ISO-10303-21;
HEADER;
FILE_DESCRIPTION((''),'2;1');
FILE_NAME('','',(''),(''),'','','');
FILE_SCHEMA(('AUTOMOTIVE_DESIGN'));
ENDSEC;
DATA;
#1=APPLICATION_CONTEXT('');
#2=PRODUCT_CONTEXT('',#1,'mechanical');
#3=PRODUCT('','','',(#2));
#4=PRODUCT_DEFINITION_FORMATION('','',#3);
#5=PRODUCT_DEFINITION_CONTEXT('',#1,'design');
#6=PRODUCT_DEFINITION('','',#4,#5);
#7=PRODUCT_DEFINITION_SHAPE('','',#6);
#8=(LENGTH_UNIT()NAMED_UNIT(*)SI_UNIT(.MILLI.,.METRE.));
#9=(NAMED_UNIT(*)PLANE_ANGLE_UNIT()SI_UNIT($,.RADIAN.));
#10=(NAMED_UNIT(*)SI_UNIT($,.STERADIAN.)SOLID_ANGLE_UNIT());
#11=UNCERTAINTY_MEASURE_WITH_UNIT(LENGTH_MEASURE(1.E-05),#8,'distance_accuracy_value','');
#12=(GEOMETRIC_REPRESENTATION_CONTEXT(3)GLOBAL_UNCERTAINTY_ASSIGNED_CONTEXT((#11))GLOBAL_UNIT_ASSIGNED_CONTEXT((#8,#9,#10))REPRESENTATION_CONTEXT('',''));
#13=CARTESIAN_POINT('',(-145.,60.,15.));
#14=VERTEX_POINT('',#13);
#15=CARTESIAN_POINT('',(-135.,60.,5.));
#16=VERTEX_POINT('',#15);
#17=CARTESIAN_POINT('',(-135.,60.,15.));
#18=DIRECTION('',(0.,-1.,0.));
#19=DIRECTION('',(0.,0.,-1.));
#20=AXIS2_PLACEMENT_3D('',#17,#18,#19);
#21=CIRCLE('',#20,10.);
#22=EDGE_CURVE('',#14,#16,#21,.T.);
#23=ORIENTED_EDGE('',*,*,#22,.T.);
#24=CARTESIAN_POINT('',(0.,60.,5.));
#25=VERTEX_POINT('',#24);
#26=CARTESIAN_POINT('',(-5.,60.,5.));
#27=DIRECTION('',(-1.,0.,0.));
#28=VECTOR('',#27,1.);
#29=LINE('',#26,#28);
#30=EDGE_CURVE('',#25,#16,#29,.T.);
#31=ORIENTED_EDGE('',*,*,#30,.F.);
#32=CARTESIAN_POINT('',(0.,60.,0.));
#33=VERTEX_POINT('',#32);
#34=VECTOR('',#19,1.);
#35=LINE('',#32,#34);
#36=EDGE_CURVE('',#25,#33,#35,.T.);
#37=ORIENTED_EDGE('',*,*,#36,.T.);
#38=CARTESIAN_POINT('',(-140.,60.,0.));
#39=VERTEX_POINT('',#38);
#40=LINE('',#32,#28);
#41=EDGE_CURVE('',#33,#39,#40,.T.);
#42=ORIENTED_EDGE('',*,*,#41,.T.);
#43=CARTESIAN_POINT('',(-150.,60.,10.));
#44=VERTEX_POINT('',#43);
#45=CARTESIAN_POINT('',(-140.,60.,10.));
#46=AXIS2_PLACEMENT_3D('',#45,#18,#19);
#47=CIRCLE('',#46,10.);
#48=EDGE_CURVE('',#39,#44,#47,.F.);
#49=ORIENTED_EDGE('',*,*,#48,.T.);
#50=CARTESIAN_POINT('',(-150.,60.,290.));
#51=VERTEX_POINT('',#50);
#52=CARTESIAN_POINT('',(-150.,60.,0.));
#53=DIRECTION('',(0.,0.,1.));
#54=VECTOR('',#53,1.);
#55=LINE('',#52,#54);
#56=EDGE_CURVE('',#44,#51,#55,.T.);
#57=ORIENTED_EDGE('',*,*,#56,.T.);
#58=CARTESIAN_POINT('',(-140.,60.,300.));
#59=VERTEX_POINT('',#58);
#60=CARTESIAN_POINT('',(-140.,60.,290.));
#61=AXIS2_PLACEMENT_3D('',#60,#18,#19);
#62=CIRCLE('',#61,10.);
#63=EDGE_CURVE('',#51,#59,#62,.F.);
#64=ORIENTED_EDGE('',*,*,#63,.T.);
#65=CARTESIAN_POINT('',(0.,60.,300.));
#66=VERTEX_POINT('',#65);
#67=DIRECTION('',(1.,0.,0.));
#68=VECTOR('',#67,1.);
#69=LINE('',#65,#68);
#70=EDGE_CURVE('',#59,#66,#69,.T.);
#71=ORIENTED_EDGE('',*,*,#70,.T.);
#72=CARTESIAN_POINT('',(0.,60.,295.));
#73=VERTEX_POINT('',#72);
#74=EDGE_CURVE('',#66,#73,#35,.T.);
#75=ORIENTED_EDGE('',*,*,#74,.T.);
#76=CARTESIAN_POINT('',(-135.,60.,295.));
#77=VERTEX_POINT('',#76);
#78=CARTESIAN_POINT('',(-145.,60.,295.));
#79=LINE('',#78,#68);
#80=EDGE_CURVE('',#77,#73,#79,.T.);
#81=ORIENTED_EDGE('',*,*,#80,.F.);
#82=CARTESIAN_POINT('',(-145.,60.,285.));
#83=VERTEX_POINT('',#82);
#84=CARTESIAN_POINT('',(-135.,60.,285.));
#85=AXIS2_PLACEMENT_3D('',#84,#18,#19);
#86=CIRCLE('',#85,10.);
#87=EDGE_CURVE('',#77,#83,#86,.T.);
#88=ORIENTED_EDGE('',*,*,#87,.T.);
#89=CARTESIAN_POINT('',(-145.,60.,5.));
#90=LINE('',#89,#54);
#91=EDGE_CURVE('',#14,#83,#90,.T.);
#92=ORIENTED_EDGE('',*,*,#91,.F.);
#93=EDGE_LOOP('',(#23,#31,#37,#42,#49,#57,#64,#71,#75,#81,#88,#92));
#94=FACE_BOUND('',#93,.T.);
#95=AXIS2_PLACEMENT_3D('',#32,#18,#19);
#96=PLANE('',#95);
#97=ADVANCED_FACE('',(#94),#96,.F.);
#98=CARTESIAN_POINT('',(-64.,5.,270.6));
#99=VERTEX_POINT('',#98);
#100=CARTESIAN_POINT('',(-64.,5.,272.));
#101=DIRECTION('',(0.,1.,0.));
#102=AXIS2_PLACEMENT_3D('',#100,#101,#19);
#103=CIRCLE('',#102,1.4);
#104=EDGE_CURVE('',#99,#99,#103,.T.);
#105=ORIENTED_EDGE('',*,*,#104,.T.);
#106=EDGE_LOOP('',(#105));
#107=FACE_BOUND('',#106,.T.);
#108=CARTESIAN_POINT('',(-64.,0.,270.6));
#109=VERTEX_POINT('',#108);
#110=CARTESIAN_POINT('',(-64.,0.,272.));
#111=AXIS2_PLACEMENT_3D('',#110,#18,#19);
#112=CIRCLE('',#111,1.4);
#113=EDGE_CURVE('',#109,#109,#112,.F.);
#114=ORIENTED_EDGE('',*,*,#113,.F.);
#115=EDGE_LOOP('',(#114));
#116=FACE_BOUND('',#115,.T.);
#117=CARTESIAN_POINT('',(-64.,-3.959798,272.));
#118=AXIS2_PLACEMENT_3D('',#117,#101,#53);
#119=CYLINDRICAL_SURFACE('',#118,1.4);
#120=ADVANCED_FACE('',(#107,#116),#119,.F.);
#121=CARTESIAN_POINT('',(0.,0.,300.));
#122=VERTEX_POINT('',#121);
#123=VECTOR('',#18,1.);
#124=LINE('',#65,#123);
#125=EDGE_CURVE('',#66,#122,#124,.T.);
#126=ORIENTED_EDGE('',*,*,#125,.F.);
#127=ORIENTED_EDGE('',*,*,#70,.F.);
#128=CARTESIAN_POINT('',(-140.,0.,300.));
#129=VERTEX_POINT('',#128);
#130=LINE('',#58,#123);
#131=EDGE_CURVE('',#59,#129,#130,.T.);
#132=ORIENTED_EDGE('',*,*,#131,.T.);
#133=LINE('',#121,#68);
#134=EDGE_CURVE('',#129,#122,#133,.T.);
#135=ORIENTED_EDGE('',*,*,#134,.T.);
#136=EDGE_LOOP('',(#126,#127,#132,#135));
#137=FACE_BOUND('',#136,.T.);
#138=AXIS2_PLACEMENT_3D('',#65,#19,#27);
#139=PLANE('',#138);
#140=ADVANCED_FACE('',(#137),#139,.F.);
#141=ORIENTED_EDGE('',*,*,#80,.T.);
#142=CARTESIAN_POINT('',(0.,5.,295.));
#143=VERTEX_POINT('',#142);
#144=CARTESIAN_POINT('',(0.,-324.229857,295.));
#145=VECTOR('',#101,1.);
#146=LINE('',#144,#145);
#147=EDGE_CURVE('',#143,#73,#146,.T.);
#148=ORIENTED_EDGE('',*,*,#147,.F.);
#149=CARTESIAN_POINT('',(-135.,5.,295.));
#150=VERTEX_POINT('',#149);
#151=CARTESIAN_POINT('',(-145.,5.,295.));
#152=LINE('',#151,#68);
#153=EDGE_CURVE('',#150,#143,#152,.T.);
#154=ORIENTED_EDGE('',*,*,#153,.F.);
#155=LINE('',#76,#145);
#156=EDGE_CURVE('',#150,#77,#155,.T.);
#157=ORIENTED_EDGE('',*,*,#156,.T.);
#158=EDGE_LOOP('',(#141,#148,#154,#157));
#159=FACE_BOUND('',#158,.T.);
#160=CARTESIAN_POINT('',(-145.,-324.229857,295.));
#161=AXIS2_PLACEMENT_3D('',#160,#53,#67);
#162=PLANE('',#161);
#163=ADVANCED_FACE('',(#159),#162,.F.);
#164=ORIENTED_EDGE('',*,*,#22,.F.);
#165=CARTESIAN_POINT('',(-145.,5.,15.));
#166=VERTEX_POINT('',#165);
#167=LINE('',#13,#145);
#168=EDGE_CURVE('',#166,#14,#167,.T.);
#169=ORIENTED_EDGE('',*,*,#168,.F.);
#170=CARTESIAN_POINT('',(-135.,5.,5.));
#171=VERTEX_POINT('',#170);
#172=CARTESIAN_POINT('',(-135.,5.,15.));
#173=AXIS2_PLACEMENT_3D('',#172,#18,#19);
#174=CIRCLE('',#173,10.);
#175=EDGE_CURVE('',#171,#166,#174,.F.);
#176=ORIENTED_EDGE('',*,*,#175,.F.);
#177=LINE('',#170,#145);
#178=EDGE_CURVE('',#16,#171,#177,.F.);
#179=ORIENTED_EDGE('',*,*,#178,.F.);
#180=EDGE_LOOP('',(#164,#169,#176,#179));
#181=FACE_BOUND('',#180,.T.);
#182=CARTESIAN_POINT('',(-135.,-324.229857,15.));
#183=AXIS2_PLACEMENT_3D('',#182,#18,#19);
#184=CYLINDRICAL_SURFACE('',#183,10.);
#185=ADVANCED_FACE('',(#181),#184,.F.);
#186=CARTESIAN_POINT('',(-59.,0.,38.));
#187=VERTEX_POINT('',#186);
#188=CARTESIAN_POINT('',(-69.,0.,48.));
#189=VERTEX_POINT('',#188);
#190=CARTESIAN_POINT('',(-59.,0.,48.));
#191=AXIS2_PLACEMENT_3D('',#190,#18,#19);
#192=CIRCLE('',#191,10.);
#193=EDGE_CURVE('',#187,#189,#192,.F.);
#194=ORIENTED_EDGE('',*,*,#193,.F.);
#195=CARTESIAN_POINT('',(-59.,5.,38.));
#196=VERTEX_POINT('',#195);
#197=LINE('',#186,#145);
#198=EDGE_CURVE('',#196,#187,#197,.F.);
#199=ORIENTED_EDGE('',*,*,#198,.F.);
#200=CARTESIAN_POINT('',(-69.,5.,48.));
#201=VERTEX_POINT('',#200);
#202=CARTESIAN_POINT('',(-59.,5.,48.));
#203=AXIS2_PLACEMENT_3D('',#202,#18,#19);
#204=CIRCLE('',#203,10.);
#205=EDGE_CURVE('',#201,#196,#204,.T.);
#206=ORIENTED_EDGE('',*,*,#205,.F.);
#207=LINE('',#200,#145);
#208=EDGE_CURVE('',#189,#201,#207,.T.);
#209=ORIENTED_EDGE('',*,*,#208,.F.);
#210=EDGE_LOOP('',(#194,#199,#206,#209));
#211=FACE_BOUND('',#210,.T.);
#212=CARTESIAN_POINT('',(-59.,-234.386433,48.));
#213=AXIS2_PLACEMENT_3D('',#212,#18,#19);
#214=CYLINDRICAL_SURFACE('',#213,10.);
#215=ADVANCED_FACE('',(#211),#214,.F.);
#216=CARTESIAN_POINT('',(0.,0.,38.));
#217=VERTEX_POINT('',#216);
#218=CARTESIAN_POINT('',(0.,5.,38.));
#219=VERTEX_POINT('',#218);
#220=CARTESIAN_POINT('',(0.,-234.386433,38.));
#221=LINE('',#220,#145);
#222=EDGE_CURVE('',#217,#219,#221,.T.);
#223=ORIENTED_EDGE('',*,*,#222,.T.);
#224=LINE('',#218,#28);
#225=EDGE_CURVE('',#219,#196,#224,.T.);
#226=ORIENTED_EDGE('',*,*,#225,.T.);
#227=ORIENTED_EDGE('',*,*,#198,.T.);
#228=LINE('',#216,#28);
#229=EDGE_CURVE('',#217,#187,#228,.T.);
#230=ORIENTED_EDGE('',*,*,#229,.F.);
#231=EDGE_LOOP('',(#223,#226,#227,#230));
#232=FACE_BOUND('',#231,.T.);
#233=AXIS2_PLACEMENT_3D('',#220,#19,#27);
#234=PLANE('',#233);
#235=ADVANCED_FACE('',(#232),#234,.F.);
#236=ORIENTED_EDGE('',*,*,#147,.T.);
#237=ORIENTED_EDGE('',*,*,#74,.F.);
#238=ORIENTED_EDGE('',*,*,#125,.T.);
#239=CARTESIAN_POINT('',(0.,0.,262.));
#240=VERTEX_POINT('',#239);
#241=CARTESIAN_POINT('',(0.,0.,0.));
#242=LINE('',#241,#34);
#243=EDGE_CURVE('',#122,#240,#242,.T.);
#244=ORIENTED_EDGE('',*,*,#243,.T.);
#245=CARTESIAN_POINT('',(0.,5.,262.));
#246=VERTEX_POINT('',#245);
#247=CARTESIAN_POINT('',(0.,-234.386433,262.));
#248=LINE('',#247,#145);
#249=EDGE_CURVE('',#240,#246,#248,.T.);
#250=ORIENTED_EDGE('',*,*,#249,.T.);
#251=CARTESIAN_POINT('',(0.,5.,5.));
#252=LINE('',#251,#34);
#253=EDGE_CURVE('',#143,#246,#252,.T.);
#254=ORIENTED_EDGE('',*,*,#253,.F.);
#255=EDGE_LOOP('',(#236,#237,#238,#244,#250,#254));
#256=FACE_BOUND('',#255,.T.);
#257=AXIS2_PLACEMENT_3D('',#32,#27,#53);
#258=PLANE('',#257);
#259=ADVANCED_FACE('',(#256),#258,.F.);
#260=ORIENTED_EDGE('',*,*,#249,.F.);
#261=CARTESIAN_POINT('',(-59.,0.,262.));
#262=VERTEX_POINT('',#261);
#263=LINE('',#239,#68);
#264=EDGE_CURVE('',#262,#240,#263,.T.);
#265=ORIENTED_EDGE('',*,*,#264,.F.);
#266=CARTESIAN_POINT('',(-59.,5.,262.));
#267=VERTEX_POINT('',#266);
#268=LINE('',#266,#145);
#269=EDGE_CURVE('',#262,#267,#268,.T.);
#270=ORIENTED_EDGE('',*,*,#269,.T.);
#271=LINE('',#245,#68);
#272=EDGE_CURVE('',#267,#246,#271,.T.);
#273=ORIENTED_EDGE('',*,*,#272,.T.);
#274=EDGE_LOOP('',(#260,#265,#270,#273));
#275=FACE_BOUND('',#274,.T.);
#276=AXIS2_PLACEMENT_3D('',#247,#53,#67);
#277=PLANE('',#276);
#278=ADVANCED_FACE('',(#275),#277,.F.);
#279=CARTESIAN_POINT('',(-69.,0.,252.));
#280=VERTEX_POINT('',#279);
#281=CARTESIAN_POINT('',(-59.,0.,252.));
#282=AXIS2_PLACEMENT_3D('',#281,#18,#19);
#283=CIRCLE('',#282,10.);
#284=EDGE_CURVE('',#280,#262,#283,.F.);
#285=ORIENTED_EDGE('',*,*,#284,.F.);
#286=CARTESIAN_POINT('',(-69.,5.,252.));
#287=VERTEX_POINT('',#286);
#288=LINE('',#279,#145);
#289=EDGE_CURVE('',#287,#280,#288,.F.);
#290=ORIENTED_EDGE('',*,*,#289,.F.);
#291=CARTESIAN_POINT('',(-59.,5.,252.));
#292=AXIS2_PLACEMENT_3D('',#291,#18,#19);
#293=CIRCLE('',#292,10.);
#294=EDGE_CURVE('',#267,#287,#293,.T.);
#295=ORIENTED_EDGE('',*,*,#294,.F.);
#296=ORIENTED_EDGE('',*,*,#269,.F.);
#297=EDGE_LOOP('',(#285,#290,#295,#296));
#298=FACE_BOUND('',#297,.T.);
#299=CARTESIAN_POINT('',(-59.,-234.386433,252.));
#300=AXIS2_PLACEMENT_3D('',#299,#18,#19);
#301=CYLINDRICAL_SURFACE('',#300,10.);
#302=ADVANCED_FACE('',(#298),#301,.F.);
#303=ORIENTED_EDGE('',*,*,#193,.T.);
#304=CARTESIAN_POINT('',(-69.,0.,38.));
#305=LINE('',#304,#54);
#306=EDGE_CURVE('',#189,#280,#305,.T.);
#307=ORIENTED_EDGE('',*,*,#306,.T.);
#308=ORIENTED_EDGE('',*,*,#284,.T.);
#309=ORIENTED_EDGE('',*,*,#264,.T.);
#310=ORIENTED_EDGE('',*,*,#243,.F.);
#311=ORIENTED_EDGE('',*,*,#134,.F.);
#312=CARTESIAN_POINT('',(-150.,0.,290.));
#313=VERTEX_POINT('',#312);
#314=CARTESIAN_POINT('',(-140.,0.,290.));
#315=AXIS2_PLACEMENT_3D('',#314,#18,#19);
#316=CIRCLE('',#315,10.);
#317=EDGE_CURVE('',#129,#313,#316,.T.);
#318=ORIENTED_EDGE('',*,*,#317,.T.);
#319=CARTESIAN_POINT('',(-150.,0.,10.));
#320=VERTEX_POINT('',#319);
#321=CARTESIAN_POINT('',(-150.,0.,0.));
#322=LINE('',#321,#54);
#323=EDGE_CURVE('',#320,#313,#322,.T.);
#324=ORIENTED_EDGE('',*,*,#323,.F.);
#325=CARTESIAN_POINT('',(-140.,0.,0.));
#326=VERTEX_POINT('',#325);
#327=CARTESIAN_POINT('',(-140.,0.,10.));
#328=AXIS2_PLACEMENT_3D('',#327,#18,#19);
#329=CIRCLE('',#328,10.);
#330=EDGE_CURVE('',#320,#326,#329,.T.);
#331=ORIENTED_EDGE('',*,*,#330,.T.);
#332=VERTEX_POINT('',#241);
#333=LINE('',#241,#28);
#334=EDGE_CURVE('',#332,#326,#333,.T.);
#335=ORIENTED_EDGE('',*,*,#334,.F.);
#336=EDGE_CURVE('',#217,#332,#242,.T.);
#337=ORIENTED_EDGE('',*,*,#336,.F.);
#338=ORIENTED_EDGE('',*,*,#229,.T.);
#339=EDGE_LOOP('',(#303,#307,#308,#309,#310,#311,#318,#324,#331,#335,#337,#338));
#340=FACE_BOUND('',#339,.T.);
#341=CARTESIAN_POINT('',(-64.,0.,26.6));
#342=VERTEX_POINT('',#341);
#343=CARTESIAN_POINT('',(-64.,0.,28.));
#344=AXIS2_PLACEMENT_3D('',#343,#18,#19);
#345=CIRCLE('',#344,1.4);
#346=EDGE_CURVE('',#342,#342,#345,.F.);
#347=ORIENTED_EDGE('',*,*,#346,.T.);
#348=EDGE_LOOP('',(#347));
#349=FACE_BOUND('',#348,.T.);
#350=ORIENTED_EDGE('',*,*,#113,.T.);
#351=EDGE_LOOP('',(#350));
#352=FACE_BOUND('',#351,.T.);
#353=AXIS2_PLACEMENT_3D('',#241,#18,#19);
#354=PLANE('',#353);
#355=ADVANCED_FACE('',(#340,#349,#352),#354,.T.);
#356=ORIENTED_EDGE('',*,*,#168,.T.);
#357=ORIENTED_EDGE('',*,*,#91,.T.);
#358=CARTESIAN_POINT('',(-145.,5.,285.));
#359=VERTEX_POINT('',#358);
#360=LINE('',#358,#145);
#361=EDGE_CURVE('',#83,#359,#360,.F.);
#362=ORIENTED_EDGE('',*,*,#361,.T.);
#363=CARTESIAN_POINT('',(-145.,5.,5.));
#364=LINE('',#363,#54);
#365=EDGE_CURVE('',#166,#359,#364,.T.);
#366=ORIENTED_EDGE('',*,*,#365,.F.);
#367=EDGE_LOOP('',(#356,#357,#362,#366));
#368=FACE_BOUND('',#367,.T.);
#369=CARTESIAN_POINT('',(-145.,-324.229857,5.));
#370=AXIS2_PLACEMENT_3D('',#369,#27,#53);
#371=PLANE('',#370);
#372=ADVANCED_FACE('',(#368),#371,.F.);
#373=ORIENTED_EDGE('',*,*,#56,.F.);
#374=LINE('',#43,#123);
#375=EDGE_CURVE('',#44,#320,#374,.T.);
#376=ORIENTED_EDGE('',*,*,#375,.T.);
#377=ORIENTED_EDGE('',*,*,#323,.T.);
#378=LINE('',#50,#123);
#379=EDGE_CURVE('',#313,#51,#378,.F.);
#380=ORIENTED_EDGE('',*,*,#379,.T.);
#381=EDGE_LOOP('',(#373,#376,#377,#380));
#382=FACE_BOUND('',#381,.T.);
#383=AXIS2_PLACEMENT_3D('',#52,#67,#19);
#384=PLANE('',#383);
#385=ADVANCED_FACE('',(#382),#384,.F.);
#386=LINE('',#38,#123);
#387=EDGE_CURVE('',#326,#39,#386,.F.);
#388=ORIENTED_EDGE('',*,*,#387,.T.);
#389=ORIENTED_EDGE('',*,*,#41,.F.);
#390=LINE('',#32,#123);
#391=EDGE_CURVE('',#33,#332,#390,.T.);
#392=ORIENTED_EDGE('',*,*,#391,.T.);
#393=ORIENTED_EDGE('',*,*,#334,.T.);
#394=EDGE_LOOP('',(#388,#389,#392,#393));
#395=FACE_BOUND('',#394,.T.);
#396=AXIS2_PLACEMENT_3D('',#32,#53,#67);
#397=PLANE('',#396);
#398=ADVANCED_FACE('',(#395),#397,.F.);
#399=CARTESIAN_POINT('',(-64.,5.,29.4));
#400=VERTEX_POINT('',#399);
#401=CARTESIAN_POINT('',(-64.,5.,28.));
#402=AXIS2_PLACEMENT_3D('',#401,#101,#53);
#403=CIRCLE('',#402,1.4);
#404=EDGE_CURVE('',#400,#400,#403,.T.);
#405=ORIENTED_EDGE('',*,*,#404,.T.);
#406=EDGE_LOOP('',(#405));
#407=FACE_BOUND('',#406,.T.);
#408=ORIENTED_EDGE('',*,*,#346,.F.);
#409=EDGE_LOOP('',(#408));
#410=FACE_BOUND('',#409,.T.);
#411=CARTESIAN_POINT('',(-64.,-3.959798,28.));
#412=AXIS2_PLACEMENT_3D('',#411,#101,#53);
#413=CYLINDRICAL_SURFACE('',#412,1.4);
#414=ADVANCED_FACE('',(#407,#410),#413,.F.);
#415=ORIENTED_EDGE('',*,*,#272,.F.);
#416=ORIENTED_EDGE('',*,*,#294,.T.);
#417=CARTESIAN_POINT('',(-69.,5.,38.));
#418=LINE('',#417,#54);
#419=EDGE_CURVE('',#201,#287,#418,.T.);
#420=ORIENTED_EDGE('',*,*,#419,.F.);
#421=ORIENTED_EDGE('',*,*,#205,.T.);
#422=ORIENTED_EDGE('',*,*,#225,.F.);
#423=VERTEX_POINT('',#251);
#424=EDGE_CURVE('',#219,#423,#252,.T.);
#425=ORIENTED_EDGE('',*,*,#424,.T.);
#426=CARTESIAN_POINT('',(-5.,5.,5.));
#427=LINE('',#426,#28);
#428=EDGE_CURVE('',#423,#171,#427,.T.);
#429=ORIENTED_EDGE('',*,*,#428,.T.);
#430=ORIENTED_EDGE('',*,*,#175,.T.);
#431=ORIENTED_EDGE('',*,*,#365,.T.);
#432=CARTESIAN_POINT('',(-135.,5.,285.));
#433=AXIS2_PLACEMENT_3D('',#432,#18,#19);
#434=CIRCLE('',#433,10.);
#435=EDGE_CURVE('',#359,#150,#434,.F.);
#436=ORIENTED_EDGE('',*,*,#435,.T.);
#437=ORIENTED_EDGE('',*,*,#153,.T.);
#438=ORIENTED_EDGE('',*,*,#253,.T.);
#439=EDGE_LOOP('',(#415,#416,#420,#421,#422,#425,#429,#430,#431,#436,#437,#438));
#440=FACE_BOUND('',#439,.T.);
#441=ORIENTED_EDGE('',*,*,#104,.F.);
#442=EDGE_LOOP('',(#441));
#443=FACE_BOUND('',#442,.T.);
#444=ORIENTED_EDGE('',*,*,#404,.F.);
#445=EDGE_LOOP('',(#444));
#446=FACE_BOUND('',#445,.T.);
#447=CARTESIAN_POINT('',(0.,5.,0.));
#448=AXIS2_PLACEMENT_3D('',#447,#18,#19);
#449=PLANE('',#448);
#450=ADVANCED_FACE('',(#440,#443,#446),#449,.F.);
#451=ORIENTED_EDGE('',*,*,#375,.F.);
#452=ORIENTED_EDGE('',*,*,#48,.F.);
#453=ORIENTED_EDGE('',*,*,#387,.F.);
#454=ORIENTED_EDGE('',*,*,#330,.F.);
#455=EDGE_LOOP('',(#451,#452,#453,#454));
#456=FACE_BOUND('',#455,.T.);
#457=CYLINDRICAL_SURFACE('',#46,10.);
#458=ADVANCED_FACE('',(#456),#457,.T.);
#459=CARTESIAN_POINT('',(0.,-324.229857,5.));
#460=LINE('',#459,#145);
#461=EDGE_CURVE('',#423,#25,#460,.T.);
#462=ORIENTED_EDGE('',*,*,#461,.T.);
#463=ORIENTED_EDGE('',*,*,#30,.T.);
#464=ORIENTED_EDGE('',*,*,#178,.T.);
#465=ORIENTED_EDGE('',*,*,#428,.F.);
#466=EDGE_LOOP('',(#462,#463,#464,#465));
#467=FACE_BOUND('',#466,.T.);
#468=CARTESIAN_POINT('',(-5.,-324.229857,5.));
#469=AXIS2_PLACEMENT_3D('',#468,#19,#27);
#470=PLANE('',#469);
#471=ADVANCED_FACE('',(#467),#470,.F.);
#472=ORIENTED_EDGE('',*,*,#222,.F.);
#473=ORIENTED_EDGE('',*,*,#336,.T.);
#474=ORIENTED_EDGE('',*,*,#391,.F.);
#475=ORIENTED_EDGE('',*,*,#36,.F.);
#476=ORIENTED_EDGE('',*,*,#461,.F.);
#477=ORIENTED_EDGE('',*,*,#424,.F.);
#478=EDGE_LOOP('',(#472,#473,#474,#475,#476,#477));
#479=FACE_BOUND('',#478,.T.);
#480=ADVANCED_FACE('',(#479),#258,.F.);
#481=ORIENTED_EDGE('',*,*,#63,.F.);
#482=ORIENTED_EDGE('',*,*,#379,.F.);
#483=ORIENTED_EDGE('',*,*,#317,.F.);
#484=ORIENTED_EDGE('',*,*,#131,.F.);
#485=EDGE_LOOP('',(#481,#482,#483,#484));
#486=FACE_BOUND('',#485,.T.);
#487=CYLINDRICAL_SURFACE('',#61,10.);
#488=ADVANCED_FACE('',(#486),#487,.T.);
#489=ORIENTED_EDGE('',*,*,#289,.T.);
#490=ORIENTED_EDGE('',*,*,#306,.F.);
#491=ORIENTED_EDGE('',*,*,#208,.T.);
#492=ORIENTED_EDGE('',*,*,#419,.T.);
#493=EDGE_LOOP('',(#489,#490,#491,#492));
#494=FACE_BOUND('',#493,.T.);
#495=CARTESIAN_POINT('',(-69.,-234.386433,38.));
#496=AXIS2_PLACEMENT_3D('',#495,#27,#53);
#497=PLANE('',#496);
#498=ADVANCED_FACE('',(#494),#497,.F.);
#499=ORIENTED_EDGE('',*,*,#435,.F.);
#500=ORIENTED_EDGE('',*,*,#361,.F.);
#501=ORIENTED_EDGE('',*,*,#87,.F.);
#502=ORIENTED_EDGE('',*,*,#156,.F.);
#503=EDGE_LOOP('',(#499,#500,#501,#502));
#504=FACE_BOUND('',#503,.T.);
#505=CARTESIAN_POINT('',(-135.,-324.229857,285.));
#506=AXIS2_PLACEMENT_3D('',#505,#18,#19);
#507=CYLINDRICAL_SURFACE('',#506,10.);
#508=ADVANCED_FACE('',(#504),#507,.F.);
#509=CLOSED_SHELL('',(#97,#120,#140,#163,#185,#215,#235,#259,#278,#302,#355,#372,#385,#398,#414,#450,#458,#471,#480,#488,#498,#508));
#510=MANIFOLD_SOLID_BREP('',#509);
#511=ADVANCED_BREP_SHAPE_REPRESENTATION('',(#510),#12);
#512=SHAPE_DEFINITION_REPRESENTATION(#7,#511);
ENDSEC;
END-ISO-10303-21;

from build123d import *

# Parameters (mm, degrees)
SKETCH_1_W          = 150
SKETCH_1_H          = 300
EXTRUDE_1_DEPTH     = 60
CUT_EXTRUDE_1_DEPTH = 55
SKETCH_3_W          = 69
SKETCH_3_H          = 224
CUT_EXTRUDE_2_DEPTH = 5
SKETCH_4_R          = 1.4
CUT_EXTRUDE_3_DEPTH = 5
FILLET_1_R          = 10


with BuildPart() as part:
    # 草图1 → 凸台-拉伸1 (new body)
    with BuildSketch(Plane(origin=(0, 0, 0), x_dir=(1, 0, 0), z_dir=(0, 1, 0))):
        with Locations((-75, -150)):
            Rectangle(SKETCH_1_W, SKETCH_1_H)
    extrude(amount=EXTRUDE_1_DEPTH)

    # 草图2 → 切除-拉伸1 (cut)
    with BuildSketch(Plane(origin=(0, 60, 0), x_dir=(1, 0, 0), z_dir=(0, 1, 0))):
        Polygon((-5, -5), (-145, -5), (-145, -295), (-5, -295), (0, -295), (0, -5), align=None)
    extrude(amount=-CUT_EXTRUDE_1_DEPTH, mode=Mode.SUBTRACT)

    # 草图3 → 切除-拉伸2 (cut)
    with BuildSketch(Plane(origin=(0, 5, 0), x_dir=(1, 0, 0), z_dir=(0, 1, 0))):
        with Locations((-34.5, -150)):
            Rectangle(SKETCH_3_W, SKETCH_3_H)
    extrude(amount=-CUT_EXTRUDE_2_DEPTH, mode=Mode.SUBTRACT)

    # 草图4 → 切除-拉伸3 (cut)
    with BuildSketch(Plane(origin=(0, 5, 0), x_dir=(1, 0, 0), z_dir=(0, 1, 0))):
        with Locations(Location((-64, -28, 0), (0, 0, 270))):
            Circle(SKETCH_4_R)
        with Locations(Location((-64, -272, 0), (0, 0, 90))):
            Circle(SKETCH_4_R)
    extrude(amount=-CUT_EXTRUDE_3_DEPTH, mode=Mode.SUBTRACT)

    # 圆角1
    fillet_1_edges = [part.edges().sort_by_distance(p)[0] for p in [
        (-145, 32.5, 5),
        (-145, 32.5, 295),
        (-69, 2.5, 38),
        (-69, 2.5, 262),
        (-150, 30, 300),
        (-150, 30, 0),
    ]]
    fillet(fillet_1_edges, radius=FILLET_1_R)


solid = part.part
